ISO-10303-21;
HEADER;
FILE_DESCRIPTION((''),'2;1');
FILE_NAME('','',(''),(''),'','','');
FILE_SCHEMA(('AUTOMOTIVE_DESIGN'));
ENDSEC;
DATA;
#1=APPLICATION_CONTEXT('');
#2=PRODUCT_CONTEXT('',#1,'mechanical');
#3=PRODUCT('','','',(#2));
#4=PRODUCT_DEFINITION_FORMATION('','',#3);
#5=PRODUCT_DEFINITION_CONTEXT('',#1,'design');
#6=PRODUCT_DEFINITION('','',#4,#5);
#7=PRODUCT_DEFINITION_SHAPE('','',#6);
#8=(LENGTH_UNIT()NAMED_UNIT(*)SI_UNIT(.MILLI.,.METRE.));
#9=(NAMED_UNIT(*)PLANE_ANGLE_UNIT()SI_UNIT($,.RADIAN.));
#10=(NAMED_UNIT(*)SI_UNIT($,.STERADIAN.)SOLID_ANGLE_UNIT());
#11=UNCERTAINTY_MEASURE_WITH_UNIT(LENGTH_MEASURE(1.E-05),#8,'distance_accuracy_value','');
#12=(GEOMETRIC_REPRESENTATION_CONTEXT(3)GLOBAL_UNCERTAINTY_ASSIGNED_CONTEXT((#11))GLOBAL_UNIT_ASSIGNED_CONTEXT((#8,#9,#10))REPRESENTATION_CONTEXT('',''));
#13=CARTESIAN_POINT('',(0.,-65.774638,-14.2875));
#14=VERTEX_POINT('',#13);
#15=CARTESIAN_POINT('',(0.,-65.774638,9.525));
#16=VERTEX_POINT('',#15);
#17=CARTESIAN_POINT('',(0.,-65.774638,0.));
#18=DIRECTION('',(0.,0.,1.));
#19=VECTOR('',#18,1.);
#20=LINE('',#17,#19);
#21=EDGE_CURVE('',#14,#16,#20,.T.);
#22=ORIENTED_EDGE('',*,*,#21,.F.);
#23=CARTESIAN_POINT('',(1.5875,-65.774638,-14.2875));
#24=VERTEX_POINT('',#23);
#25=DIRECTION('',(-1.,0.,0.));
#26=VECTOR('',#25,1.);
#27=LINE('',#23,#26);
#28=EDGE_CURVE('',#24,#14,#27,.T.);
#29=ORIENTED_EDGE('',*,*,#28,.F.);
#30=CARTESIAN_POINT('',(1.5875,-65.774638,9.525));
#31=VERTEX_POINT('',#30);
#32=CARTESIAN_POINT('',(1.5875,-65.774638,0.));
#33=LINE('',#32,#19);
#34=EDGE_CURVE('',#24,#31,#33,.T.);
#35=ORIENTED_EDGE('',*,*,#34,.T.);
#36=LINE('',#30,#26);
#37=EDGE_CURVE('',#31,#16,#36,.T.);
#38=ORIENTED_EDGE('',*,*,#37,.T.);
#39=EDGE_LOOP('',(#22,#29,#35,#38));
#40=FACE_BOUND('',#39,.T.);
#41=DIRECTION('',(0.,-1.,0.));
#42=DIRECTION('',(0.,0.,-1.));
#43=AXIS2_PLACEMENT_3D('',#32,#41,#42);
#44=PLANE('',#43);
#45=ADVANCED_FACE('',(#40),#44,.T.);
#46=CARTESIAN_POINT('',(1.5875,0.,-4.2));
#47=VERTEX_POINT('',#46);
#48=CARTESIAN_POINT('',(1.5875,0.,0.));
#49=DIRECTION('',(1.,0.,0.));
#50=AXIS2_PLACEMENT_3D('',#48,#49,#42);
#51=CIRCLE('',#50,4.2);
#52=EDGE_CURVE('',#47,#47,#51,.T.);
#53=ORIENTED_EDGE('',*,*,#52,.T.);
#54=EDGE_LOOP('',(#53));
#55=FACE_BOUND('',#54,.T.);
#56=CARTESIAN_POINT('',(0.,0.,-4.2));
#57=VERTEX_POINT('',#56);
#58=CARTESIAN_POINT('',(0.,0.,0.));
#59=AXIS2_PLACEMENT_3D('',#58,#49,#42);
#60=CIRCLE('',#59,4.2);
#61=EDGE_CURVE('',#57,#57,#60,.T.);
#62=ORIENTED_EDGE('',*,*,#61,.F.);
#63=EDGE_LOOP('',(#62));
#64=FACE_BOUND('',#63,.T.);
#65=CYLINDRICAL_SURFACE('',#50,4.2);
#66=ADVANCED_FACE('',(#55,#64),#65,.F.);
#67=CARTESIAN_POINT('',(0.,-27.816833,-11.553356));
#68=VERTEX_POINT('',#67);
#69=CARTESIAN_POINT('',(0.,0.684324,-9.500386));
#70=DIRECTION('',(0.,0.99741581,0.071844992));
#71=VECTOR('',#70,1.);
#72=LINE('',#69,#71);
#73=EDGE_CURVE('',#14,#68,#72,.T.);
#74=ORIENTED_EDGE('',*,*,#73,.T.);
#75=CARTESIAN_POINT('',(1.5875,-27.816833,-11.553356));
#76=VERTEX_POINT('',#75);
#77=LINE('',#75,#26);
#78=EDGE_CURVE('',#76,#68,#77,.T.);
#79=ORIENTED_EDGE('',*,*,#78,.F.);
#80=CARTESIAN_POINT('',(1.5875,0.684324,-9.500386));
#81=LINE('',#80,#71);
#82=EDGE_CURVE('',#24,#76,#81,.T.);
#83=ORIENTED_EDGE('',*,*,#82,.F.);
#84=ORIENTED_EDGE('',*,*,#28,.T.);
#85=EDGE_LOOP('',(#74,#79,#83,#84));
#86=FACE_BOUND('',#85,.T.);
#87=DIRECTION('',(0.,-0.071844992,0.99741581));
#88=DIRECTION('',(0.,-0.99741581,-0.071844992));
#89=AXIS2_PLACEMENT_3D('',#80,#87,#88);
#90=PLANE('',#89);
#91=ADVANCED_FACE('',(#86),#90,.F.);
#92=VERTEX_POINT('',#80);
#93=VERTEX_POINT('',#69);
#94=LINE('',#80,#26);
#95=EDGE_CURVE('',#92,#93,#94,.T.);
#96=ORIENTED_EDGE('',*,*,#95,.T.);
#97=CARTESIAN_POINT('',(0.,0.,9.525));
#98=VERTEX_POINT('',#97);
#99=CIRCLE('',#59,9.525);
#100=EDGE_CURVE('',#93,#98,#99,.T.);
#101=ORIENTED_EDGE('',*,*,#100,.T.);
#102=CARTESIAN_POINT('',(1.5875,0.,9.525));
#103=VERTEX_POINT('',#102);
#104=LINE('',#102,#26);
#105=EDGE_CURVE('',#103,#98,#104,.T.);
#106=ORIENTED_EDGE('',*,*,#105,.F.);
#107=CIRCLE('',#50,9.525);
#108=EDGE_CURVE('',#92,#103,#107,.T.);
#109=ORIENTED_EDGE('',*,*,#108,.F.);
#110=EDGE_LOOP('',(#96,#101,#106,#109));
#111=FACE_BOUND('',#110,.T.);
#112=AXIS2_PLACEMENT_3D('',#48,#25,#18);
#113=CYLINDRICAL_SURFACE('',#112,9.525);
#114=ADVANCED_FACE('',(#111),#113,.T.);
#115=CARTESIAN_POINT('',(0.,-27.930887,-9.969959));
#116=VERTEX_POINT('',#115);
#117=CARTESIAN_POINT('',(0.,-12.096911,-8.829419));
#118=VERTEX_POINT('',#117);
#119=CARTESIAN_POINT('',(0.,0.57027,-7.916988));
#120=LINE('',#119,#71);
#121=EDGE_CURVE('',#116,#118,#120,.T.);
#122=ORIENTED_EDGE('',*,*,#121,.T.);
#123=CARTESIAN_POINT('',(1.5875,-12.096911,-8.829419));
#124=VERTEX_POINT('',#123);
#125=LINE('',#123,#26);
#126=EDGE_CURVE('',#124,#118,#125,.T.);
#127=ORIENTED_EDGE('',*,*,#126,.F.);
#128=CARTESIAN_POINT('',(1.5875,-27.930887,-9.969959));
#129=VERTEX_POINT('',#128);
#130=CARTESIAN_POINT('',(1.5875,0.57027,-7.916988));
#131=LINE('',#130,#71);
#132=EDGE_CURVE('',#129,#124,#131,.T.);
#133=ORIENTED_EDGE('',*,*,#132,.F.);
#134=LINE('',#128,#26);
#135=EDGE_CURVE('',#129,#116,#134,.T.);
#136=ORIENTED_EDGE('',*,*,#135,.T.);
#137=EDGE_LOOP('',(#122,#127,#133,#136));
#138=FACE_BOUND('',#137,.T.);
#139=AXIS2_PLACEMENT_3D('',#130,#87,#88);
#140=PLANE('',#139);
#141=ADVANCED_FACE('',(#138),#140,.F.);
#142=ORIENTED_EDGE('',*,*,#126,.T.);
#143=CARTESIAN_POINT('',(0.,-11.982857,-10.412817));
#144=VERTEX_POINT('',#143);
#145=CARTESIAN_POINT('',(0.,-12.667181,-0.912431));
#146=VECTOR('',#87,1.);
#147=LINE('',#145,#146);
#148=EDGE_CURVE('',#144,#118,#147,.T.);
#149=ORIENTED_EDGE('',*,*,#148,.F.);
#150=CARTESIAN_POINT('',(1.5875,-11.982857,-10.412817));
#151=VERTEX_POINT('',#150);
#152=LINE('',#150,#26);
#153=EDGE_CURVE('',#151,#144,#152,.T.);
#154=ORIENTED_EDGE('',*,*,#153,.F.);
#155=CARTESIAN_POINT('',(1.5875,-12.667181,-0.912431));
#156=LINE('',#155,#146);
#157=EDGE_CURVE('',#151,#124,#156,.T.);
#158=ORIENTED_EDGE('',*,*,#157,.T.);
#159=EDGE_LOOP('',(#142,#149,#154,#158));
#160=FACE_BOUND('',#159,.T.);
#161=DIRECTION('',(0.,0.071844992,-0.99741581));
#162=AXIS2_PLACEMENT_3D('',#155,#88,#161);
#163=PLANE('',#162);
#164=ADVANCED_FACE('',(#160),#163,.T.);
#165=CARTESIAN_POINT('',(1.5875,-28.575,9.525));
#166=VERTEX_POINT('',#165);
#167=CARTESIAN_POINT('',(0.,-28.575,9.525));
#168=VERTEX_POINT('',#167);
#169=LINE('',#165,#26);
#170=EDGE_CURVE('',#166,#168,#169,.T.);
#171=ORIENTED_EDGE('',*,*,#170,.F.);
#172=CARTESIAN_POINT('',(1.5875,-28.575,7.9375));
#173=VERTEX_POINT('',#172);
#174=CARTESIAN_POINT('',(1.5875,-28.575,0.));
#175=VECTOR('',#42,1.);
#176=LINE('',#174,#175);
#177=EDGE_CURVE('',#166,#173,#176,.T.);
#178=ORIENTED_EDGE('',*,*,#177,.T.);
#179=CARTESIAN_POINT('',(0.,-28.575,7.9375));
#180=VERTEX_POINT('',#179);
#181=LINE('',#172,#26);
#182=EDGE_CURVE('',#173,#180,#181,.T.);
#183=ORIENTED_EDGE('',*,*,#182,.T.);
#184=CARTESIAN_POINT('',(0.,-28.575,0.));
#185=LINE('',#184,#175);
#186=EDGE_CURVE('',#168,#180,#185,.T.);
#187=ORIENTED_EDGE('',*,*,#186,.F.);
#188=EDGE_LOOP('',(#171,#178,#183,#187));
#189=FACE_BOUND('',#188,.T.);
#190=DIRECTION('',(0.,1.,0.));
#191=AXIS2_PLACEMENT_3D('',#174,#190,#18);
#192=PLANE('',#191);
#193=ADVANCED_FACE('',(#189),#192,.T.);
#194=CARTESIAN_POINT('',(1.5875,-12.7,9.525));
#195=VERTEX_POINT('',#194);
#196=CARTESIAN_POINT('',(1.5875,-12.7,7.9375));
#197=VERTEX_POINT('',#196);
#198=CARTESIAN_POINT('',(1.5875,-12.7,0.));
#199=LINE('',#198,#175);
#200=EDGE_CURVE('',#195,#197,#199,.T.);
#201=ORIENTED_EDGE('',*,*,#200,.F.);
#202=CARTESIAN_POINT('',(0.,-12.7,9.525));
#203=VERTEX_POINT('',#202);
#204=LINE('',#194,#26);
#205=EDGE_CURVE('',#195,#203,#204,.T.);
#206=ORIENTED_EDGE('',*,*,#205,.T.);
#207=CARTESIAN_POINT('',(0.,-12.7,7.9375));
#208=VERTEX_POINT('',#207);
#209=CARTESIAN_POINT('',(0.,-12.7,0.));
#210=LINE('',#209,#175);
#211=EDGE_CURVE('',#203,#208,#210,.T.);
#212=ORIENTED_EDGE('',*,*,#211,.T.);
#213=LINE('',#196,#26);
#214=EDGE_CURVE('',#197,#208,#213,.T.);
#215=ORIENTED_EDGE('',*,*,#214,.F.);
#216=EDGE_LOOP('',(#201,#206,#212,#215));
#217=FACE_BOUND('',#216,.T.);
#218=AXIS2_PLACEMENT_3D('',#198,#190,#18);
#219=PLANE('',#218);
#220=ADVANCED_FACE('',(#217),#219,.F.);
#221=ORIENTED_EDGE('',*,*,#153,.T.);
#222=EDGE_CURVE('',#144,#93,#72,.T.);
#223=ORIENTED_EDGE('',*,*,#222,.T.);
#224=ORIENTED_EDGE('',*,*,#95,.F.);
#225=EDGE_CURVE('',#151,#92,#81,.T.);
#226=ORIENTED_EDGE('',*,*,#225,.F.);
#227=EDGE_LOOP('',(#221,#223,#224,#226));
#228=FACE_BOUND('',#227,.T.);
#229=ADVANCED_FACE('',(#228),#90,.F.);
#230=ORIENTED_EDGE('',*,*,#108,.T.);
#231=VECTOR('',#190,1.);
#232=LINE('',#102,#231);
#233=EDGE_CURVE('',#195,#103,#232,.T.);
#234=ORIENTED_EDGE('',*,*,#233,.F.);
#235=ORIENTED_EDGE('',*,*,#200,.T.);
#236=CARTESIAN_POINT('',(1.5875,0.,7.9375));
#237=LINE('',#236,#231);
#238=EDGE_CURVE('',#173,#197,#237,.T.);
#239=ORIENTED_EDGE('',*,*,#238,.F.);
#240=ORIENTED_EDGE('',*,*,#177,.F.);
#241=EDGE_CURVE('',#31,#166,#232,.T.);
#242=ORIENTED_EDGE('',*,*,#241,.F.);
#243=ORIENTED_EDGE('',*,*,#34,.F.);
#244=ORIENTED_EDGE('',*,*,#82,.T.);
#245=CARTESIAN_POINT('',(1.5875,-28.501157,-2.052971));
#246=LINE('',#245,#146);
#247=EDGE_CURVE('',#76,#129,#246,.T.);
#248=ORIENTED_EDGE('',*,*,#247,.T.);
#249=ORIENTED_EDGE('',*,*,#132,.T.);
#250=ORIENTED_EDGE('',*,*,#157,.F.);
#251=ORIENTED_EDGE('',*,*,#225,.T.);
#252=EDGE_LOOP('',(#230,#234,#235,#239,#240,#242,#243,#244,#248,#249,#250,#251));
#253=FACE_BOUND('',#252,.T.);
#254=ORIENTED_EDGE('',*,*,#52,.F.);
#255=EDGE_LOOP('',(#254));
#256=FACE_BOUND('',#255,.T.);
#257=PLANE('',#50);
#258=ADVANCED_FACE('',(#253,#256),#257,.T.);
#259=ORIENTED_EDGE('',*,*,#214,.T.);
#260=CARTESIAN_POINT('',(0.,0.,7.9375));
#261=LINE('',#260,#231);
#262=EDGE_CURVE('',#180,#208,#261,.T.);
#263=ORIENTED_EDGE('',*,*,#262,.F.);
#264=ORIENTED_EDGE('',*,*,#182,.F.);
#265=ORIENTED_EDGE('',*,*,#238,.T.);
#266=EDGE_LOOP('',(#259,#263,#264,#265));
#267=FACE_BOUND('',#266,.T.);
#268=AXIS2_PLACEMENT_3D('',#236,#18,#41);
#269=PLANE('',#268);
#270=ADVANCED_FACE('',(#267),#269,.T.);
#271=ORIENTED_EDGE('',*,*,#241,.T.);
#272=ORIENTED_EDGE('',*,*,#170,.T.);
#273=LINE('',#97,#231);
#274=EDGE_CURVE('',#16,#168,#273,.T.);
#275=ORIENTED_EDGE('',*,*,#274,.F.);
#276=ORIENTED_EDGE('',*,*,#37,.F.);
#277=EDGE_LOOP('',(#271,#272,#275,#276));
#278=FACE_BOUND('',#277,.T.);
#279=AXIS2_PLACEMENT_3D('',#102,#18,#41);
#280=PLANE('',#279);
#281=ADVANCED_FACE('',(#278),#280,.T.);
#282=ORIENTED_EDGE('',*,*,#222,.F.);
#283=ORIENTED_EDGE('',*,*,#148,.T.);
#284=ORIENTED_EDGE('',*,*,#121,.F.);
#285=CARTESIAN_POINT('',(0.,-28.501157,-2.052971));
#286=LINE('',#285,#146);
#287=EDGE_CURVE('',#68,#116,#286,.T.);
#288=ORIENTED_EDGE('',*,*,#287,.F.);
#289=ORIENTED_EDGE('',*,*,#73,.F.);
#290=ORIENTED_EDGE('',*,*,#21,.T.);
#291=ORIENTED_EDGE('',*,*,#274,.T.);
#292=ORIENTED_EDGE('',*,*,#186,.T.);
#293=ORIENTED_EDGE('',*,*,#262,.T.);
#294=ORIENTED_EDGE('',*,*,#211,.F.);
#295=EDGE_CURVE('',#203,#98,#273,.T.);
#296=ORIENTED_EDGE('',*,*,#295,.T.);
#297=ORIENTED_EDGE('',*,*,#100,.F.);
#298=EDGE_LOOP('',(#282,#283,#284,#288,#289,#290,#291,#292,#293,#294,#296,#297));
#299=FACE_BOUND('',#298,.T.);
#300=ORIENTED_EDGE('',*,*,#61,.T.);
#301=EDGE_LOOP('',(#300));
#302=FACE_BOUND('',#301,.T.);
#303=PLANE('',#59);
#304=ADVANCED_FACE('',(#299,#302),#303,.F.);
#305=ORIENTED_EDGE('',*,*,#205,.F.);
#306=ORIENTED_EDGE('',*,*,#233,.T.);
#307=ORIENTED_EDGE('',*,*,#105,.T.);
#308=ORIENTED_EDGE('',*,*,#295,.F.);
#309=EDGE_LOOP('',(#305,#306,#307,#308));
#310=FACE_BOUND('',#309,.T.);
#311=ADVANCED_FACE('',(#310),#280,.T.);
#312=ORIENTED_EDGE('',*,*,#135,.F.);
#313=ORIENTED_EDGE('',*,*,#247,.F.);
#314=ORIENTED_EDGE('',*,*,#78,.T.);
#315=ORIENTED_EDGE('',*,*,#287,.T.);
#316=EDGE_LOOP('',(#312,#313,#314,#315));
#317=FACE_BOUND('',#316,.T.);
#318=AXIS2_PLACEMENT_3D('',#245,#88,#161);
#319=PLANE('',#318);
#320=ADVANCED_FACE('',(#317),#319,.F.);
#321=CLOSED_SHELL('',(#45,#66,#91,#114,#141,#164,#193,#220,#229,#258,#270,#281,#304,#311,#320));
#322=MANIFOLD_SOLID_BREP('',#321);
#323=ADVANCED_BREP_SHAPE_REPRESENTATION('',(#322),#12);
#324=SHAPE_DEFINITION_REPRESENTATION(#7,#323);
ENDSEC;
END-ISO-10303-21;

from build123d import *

# Parameters (mm, degrees)
BOSS_EXTRUDE1_DEPTH  = 1.5875
M8_CLEARANCE_HOLE1_D = 8.4


with BuildPart() as part:
    # Sketch1 → Boss-Extrude1 (new body)
    with BuildSketch(Plane(origin=(0, 0, 0), x_dir=(0, 0, -1), z_dir=(1, 0, 0))):
        with BuildLine():
            Line((-9.525, -65.774638339), (0, -65.774638339))
            Line((0, -65.774638339), (14.2875, -65.774638339))
            Line((14.2875, -65.774638339), (11.553356238, -27.816833207))
            Line((11.553356238, -27.816833207), (9.96995864, -27.930887132))
            Line((9.96995864, -27.930887132), (8.829419389, -12.096911155))
            Line((8.829419389, -12.096911155), (10.412816987, -11.98285723))
            Line((10.412816987, -11.98285723), (9.500385586, 0.684323551))
            ThreePointArc((9.500385586, 0.684323551), (-0.342383043, 9.518844407), (-9.525, 0))
            Line((-9.525, 0), (-9.525, -12.7))
            Line((-9.525, -12.7), (-7.9375, -12.7))
            Line((-7.9375, -12.7), (-7.9375, -28.575))
            Line((-7.9375, -28.575), (-9.525, -28.575))
            Line((-9.525, -28.575), (-9.525, -65.774638339))
        make_face()
    extrude(amount=BOSS_EXTRUDE1_DEPTH)

    # M8 Clearance Hole1 (through all)
    with Locations(Plane(origin=(1.5875, 0, 0), x_dir=(0, 0, -1), z_dir=(1, 0, 0))):
        with Locations((0, 0)):
            Hole(M8_CLEARANCE_HOLE1_D / 2)


solid = part.part
